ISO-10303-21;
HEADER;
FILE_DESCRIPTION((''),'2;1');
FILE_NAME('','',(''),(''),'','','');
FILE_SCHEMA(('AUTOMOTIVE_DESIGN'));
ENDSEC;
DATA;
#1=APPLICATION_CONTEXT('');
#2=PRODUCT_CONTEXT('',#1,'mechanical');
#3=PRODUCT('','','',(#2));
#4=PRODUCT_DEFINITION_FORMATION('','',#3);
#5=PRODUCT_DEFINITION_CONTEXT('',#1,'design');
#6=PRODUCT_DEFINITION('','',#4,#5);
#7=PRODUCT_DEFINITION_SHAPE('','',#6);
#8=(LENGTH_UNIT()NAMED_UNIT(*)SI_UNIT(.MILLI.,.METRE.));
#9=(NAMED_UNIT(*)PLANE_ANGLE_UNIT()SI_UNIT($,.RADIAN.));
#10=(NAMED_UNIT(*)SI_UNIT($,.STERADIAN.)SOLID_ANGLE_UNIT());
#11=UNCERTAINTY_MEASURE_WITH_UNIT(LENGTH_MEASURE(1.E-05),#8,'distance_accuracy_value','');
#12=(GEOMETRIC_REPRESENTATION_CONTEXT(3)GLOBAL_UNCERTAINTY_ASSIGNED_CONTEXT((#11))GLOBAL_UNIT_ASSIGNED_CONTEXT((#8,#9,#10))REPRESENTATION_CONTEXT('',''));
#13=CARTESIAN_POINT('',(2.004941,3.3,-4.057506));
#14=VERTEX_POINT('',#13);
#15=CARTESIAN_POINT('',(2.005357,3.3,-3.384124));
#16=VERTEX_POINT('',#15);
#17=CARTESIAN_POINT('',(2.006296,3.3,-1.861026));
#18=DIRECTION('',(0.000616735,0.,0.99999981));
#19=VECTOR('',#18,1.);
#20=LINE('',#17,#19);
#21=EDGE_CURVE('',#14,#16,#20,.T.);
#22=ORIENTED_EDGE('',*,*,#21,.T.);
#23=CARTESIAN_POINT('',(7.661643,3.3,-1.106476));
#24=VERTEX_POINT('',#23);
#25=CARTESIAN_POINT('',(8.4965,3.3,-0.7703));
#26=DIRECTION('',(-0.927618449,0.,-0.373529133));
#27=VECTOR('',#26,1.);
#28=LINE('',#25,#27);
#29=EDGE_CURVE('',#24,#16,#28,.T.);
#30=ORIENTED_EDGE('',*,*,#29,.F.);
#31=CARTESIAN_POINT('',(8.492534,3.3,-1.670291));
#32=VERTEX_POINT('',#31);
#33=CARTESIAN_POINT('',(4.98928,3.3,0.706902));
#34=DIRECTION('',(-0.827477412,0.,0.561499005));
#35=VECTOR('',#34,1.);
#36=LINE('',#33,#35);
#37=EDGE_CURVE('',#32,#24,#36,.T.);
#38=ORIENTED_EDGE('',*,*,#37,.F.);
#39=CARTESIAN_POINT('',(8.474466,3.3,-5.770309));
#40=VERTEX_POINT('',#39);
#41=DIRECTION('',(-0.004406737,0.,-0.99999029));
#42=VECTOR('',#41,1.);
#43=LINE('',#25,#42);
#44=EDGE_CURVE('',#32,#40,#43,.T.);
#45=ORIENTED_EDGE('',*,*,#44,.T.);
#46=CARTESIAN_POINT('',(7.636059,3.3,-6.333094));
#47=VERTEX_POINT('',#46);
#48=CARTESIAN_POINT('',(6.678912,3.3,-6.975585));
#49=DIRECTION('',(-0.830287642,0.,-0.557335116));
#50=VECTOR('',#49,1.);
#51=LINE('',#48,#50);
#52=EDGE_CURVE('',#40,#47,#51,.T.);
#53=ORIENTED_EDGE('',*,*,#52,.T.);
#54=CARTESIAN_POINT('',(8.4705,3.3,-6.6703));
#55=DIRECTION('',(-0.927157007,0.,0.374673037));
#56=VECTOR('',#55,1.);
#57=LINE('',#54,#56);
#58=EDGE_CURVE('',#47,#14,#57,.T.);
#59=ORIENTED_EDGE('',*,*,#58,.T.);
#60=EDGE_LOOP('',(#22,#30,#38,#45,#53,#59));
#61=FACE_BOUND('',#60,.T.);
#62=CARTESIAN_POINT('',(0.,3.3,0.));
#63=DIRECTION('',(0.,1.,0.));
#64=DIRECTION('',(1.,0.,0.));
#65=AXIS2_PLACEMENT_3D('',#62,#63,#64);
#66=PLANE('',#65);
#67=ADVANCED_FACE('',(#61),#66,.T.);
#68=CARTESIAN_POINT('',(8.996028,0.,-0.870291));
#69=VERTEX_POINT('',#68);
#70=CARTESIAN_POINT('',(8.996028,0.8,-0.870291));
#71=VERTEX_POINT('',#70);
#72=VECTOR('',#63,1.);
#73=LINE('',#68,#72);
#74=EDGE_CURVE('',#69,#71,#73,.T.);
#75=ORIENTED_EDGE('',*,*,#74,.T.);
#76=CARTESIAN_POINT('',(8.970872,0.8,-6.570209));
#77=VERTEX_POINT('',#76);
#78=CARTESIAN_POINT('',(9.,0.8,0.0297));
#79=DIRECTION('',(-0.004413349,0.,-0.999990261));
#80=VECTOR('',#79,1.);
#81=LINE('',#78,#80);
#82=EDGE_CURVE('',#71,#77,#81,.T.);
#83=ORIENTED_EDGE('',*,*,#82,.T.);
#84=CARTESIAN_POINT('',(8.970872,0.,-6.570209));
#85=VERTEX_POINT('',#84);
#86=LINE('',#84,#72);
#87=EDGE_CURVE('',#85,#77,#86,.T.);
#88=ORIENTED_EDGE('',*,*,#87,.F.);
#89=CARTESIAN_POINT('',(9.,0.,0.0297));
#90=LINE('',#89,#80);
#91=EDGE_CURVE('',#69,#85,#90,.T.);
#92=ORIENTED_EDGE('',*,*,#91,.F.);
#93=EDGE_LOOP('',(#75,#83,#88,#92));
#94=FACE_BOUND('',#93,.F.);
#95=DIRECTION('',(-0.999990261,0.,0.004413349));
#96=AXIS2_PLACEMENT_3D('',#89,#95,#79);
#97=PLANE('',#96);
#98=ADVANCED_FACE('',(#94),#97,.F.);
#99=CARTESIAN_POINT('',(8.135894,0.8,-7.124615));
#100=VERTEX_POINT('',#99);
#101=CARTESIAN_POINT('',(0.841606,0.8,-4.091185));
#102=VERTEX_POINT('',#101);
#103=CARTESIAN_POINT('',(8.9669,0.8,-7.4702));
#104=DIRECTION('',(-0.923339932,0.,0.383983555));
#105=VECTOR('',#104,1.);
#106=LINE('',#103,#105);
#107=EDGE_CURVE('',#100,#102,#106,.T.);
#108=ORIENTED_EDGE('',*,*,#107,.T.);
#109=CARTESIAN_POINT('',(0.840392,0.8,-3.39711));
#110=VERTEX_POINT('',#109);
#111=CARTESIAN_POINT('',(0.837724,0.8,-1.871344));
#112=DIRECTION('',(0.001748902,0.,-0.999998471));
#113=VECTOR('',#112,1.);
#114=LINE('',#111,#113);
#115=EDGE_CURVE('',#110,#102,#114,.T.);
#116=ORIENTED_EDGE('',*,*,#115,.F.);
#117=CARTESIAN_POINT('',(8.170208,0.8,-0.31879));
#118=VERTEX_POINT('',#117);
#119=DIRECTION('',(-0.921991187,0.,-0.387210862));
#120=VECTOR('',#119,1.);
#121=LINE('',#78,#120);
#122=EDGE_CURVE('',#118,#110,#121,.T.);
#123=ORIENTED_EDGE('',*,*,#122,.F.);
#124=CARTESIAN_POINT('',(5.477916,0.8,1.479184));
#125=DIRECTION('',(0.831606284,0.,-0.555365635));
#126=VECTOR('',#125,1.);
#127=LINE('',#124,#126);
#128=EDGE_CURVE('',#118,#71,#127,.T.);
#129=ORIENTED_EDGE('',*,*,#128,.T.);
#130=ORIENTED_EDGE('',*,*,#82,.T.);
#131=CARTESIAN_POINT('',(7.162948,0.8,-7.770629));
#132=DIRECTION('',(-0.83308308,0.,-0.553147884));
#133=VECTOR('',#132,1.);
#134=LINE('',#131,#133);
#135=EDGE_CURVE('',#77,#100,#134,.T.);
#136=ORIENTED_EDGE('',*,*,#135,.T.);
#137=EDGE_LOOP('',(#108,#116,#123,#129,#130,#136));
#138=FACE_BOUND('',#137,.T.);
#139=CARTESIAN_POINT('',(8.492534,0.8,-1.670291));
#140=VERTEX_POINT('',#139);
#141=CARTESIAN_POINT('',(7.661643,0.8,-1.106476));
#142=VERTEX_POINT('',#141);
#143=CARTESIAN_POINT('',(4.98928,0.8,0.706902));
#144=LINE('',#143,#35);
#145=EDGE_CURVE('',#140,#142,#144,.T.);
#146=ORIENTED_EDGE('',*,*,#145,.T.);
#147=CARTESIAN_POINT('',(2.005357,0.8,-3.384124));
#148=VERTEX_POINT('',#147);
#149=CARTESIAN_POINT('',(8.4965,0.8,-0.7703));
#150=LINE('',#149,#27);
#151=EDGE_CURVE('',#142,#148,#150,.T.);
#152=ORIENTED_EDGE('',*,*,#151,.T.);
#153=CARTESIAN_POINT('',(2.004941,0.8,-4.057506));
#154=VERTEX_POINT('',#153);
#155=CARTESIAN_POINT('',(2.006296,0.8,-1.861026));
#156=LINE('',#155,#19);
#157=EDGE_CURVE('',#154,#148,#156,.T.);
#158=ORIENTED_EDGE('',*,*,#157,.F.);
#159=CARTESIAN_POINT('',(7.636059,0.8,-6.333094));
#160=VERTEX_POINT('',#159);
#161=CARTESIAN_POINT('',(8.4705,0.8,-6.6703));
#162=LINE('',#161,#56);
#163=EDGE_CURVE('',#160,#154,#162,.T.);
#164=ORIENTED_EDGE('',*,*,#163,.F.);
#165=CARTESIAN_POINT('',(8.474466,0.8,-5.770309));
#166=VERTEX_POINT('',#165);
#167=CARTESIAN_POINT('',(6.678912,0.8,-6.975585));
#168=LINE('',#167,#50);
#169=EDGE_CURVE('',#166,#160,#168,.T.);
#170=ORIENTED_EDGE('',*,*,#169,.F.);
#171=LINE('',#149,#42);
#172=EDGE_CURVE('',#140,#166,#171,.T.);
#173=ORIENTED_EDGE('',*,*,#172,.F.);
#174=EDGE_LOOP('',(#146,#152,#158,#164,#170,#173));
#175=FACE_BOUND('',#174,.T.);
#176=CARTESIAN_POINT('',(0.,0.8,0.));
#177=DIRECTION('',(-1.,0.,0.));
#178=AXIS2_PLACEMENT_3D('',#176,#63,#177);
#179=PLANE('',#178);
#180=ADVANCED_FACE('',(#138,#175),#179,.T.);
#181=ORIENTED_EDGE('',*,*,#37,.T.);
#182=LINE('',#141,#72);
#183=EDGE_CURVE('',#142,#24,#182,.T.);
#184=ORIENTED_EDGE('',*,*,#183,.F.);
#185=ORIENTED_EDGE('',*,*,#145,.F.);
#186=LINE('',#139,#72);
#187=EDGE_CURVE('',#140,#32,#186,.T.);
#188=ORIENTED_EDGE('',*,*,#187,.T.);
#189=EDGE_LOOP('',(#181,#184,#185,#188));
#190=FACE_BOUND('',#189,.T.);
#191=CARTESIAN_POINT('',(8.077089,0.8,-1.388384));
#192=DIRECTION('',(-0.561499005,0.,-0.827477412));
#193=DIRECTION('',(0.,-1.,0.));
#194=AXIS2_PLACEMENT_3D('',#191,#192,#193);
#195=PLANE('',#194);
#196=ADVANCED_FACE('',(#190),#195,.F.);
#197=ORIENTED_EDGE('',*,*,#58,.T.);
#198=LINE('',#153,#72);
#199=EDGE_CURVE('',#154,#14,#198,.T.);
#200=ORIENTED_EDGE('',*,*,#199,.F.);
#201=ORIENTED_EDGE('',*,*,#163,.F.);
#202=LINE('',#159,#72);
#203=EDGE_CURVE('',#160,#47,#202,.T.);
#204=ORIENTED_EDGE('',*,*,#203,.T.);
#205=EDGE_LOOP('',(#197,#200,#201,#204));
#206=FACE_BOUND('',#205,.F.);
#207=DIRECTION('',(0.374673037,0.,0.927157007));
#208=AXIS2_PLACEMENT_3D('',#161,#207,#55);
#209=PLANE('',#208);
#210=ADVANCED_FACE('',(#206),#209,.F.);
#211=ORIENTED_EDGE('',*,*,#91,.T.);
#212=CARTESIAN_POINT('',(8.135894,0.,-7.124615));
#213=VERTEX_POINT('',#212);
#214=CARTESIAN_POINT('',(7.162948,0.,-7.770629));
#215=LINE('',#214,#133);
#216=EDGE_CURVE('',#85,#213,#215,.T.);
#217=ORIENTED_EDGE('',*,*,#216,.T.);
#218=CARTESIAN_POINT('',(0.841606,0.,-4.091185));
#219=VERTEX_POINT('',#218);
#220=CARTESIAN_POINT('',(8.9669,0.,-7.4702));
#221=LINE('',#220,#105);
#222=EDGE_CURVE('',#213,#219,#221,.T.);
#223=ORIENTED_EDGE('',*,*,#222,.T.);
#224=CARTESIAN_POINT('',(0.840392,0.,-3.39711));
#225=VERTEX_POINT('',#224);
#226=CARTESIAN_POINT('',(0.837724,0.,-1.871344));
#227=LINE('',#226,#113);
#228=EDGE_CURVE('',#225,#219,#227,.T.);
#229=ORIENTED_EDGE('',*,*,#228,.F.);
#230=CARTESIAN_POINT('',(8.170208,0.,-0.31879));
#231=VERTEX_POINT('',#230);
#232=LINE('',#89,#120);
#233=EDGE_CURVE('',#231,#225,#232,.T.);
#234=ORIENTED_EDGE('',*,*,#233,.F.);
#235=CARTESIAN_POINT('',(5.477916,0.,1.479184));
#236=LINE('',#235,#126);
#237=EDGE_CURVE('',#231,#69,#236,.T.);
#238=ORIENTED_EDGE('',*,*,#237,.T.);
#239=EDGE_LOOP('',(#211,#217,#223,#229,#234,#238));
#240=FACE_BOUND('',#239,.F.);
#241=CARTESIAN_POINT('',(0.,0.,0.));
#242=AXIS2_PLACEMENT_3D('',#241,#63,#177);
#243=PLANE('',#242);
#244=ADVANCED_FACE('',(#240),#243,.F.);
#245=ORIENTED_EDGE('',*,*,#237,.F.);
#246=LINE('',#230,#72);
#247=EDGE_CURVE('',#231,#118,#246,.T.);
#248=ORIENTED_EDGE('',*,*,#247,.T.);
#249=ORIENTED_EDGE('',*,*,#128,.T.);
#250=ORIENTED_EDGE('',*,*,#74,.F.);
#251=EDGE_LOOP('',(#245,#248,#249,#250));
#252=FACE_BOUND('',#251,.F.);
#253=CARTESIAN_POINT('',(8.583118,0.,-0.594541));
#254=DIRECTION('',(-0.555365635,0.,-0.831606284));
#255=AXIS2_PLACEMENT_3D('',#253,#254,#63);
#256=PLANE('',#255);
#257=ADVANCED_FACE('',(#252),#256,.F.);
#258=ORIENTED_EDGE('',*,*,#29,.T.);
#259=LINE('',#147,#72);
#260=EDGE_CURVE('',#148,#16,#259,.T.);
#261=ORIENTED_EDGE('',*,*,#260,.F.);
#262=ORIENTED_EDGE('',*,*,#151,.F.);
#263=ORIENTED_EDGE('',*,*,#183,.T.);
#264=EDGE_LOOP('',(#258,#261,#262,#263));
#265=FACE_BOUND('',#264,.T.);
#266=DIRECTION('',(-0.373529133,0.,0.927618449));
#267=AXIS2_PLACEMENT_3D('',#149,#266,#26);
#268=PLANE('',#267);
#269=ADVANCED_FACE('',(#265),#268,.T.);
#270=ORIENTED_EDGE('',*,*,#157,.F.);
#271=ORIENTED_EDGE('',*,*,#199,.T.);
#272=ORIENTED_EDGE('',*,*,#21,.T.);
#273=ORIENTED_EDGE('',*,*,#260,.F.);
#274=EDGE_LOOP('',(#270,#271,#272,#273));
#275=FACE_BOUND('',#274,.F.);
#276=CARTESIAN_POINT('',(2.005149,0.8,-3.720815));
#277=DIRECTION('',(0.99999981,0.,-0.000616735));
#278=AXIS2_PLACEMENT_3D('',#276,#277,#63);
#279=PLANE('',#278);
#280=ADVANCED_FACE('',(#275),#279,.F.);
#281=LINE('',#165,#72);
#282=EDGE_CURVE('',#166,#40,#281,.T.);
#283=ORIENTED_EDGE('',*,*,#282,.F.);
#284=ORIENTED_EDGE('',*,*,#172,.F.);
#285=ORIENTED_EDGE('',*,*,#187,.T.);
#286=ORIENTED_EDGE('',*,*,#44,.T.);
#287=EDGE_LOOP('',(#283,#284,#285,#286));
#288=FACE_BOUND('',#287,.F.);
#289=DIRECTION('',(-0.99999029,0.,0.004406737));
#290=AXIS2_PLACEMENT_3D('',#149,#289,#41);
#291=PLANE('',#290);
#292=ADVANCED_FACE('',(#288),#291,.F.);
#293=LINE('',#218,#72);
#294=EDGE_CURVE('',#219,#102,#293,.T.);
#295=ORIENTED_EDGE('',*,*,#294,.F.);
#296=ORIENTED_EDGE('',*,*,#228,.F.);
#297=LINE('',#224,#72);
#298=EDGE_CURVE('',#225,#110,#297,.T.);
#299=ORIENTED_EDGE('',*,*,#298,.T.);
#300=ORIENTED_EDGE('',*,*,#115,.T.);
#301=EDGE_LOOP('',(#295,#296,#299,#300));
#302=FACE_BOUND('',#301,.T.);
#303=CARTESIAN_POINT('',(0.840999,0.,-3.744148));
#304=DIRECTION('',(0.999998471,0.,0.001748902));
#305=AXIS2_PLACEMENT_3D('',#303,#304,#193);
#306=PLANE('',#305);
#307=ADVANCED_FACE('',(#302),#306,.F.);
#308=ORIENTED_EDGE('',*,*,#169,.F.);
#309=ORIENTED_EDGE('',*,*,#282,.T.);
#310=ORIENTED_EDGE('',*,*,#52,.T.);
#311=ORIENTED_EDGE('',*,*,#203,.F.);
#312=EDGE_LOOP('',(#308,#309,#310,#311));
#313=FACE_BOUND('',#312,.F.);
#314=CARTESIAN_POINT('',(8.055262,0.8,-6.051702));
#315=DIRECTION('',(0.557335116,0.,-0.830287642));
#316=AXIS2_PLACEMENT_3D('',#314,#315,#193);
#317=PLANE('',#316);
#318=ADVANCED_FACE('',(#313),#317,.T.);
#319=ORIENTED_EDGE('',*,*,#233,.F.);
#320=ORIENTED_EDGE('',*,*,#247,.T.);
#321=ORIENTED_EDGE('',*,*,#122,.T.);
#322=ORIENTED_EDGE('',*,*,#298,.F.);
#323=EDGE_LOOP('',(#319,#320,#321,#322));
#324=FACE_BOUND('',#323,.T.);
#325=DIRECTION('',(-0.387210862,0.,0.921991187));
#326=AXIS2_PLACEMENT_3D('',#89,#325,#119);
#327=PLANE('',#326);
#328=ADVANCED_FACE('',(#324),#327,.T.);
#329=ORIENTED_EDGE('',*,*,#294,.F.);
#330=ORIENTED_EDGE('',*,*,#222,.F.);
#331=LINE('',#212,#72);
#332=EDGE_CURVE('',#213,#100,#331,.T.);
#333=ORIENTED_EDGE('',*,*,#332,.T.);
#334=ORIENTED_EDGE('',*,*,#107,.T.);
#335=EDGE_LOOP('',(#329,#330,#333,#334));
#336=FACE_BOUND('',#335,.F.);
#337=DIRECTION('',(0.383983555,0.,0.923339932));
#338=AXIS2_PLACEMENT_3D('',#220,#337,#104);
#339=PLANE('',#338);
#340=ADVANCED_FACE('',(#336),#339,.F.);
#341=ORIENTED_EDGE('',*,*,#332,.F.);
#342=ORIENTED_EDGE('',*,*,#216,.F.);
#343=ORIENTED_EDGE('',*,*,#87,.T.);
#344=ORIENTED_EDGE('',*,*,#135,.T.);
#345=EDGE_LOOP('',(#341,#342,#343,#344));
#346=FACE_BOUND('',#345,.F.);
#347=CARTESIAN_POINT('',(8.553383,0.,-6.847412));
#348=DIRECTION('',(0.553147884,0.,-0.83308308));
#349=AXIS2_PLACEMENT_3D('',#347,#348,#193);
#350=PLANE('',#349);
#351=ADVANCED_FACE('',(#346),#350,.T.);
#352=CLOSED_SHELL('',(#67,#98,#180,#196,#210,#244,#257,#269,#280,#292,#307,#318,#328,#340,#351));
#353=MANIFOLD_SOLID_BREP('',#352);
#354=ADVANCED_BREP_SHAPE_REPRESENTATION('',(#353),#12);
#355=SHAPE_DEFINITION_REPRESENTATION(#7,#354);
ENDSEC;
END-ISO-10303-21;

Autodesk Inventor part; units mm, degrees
ref_plane "YZ Plane" through (0, 0, 0) normal (1, 0, 0) x (0, 1, 0)
ref_plane "XZ Plane" through (0, 0, 0) normal (0, 1, 0) x (-1, 0, 0)
ref_plane "XY Plane" through (0, 0, 0) normal (0, 0, 1) x (1, 0, 0)
sketch "Náčrt1" plane through (0, 0, 0) normal (0, 1, 0) x (-1, 0, 0)
  line L0 (-9, 0.0297) -> (-8.9669, -7.4702)
  line L1 (-8.9669, -7.4702) -> (-0.0106, -3.7456)
  line L2 (-9, 0.0297) -> (-0.0106, -3.7456)
  point P0 (0, 0)
  dimension "d1" = 7.5
  dimension "d23" = 9.7
  dimension "d24" = 9.75
extrude "Vysunutí1" add sketch "Náčrt1" along normal blind 0.8
sketch "Náčrt2" plane through (0, 0.8, 0) normal (0, 1, 0) x (1, 0, 0)
  line L0 (8.4965, 0.7703) -> (8.4705, 6.6703)
  line L1 (9, -0.0297) -> (8.9669, 7.4702) projected
  line L2 (8.4705, 6.6703) -> (1.1705, 3.7203)
  line L3 (8.4965, 0.7703) -> (1.1705, 3.7203)
  point P0 (0, 0)
  dimension "d6" = 0.5
  dimension "d16" = 5.9
  dimension "d17" = 0.8
  dimension "d18" = 2.95
extrude "Vysunutí2" add sketch "Náčrt2" along normal blind 2.5
chamfer "Zkosení1" distance 0.9 angle 45 3 edges at (1.1705, 2.05, -3.7203) (8.4965, 2.05, -0.7703) (8.4705, 2.05, -6.6703)
chamfer "Zkosení2" distance 0.9 angle 45 3 edges at (9, 0.4, 0.0297) (8.9669, 0.4, -7.4702) (0.0106, 0.4, -3.7456)
properties part number "SideButton"
